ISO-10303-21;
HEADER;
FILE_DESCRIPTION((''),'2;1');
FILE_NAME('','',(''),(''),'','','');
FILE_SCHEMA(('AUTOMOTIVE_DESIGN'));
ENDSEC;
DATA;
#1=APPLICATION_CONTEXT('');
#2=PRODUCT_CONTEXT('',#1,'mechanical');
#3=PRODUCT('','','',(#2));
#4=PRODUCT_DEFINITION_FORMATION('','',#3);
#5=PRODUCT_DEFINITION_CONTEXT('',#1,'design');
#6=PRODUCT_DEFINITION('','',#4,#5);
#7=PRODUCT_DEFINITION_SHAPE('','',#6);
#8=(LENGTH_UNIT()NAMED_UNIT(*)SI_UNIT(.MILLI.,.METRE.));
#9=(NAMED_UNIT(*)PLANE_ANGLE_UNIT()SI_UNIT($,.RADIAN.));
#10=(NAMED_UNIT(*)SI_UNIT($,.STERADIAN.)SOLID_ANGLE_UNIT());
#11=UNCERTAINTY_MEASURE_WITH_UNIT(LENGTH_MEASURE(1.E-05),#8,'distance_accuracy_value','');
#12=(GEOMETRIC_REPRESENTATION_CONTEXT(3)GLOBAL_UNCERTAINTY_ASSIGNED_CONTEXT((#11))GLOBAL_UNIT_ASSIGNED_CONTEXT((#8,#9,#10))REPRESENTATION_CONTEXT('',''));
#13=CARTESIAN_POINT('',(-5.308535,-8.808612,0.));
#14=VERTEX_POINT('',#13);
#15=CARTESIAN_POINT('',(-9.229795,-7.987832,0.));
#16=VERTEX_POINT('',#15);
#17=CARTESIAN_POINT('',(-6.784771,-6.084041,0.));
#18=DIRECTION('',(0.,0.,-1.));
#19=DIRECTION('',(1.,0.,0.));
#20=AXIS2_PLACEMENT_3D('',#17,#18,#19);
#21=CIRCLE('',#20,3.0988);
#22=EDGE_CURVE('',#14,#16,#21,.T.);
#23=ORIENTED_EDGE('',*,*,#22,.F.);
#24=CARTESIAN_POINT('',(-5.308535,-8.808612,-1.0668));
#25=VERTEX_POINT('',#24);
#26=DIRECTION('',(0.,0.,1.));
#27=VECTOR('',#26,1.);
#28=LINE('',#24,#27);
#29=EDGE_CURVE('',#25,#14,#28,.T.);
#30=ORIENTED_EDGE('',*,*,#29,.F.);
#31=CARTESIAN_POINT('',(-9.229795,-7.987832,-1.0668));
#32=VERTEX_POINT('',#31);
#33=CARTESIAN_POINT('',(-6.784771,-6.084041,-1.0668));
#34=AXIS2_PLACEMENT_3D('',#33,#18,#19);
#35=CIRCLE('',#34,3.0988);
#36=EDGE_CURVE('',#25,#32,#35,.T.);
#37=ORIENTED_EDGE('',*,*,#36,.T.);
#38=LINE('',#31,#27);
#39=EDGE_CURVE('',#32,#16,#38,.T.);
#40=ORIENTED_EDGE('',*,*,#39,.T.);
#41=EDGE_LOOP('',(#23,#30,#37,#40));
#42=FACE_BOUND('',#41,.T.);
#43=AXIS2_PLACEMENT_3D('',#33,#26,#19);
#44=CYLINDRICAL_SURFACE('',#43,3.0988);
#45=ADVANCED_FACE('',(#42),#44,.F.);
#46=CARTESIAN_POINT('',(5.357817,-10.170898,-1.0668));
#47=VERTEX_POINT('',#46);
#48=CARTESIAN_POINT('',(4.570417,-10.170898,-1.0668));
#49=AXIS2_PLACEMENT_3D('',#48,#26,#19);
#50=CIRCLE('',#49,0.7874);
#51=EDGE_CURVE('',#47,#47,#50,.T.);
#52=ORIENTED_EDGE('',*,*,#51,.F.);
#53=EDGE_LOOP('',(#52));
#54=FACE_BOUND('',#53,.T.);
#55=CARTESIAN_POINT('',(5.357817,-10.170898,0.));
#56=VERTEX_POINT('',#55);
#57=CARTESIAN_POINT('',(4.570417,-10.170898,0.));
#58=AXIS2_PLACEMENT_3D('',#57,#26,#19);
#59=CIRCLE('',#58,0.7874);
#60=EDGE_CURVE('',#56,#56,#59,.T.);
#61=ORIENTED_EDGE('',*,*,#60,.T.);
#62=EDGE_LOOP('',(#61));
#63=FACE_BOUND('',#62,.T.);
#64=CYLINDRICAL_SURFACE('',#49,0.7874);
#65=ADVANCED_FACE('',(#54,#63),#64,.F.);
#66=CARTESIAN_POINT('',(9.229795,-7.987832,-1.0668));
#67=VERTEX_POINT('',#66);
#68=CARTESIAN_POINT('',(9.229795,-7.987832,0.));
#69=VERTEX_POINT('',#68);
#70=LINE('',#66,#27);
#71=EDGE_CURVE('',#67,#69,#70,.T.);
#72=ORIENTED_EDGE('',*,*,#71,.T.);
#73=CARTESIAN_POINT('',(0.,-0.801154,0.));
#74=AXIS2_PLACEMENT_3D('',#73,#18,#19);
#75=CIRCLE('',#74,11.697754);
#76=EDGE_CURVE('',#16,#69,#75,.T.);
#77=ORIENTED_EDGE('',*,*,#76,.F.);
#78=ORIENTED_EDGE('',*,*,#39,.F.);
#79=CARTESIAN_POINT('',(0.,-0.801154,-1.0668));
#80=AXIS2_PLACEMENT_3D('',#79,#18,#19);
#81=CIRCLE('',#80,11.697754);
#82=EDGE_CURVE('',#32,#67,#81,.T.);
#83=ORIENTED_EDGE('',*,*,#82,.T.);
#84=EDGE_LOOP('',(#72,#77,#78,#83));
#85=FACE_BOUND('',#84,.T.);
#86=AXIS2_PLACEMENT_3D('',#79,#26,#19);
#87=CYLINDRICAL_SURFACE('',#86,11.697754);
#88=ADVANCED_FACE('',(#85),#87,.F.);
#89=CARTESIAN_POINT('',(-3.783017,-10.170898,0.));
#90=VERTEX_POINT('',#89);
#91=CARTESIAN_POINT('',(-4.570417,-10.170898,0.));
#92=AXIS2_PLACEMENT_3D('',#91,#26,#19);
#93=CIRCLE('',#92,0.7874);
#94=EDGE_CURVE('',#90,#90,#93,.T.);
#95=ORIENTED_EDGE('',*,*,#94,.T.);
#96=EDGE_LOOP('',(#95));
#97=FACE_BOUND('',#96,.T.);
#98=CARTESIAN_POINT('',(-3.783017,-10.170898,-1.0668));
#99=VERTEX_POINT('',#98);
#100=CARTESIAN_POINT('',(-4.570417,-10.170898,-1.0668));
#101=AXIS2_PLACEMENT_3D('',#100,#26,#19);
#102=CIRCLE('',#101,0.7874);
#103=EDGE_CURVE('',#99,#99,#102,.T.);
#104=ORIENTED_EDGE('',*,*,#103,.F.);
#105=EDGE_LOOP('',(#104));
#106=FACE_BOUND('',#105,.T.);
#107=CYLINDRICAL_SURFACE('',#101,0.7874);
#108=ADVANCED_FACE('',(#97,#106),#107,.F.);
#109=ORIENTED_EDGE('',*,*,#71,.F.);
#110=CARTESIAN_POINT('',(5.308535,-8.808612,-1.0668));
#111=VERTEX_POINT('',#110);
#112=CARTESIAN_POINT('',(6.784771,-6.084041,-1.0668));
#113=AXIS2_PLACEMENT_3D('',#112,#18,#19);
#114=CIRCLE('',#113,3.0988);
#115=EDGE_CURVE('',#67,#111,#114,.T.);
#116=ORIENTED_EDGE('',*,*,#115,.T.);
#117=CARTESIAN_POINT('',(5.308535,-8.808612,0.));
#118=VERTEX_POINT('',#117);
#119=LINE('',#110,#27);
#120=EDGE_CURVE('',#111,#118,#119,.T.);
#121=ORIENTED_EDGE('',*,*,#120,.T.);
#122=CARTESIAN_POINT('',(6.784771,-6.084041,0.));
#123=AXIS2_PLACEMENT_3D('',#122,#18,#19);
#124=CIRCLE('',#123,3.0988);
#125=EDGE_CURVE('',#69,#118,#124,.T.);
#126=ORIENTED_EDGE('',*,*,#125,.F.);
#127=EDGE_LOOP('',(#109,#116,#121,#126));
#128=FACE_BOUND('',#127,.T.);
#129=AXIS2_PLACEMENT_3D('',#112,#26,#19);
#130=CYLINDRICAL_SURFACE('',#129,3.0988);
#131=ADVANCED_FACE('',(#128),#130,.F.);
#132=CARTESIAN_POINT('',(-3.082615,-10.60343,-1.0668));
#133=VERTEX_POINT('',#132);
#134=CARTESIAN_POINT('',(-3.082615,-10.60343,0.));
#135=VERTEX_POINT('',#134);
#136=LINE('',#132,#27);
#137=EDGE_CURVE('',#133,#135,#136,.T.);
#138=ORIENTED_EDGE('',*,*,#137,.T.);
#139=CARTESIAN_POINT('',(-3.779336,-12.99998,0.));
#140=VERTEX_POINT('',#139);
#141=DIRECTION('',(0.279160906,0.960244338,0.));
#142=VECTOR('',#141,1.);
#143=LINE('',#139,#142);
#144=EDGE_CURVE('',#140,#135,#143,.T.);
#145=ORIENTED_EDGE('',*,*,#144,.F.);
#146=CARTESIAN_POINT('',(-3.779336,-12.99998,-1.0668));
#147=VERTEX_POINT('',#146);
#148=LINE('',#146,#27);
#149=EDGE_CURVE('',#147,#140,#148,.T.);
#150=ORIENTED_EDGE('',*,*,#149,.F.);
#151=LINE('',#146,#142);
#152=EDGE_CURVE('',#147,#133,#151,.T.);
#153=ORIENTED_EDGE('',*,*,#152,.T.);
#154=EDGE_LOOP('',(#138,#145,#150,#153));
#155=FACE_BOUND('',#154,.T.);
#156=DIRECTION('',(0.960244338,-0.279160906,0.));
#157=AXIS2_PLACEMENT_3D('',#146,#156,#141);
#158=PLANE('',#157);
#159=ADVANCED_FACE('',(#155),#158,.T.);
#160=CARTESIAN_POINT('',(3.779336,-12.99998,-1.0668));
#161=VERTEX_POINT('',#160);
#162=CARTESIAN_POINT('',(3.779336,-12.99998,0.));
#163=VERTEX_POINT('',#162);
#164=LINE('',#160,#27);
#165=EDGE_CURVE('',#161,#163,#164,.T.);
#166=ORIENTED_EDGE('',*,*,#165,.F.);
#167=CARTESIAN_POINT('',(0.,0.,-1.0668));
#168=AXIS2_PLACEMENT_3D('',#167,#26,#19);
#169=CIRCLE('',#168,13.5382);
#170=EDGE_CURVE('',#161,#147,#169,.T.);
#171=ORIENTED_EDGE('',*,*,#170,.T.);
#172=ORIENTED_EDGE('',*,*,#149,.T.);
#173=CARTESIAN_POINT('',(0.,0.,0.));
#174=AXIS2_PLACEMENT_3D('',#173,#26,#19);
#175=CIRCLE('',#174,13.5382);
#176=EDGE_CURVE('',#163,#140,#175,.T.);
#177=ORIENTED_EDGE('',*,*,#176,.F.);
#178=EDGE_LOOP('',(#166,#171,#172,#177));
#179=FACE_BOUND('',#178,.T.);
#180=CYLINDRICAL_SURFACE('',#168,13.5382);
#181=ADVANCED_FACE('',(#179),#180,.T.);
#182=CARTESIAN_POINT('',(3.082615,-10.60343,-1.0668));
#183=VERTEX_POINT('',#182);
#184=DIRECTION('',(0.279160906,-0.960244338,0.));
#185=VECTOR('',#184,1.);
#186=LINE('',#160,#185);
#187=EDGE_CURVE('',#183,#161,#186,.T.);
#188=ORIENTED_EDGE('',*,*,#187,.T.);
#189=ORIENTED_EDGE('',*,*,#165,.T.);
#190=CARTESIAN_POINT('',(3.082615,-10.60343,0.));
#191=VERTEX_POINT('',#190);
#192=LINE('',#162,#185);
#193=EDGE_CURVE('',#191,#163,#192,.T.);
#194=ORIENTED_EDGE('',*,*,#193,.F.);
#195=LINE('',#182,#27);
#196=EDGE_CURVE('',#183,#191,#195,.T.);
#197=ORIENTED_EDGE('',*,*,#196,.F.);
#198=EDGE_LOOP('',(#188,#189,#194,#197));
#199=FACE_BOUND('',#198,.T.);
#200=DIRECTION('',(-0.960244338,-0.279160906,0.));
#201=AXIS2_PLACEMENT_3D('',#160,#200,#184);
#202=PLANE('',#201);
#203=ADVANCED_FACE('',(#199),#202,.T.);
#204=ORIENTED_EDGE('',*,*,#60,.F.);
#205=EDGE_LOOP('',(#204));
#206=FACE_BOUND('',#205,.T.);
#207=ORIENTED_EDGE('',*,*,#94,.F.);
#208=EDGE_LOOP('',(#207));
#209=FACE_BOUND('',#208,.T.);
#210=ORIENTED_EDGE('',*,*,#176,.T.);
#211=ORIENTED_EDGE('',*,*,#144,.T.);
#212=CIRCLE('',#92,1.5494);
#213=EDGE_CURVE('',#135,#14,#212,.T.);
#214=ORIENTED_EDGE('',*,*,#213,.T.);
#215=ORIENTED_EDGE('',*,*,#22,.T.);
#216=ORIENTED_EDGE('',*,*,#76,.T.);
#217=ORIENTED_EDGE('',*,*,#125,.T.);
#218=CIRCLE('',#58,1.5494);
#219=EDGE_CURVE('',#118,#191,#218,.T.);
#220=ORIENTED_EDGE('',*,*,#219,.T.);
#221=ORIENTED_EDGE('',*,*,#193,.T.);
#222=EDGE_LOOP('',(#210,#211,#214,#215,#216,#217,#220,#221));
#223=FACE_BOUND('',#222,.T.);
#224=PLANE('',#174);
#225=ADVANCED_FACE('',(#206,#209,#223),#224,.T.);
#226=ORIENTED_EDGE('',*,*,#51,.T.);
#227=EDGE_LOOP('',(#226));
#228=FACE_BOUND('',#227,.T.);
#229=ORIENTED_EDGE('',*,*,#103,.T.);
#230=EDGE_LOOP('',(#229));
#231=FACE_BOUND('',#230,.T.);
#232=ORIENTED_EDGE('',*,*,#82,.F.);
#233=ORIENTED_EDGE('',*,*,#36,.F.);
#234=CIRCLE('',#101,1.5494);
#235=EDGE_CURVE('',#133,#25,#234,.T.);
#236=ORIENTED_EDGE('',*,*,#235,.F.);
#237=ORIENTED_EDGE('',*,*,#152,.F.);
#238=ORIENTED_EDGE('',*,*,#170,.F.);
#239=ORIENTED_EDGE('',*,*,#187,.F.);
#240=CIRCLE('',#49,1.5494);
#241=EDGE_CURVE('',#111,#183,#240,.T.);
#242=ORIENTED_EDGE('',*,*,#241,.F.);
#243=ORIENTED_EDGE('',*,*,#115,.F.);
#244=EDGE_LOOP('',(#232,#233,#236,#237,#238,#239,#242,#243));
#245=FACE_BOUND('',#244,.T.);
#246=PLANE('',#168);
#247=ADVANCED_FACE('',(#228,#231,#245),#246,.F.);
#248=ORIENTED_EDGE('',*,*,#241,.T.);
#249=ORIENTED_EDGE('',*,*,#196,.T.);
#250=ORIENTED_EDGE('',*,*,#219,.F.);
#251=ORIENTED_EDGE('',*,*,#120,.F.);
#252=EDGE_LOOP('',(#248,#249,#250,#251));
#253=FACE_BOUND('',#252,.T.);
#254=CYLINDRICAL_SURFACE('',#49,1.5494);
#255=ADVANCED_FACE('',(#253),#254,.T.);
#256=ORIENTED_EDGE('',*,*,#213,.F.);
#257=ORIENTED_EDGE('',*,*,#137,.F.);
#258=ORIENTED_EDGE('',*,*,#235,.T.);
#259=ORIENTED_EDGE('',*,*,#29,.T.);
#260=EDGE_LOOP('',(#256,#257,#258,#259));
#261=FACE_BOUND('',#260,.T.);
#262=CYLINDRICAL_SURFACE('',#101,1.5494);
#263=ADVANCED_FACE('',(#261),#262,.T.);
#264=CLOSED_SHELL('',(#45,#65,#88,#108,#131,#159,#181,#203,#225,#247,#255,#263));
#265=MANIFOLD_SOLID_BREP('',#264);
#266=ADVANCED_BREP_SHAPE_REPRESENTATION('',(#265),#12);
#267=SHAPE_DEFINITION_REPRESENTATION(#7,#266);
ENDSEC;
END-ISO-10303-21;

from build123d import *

# Parameters (mm, degrees)
BODYSKE_R  = 0.7874
BODY_DEPTH = 1.0668


with BuildPart() as part:
    # BodySke → Body (new body)
    with BuildSketch(Plane.XY):
        with BuildLine():
            Line((3.779336174, -12.999979897), (3.082614503, -10.603430003))
            ThreePointArc((3.082614503, -10.603430003), (3.597869304, -8.964750848), (5.308535168, -8.808612498))
            ThreePointArc((5.308535168, -8.808612498), (7.419639491, -9.117109696), (9.229795297, -7.987832075))
            ThreePointArc((9.229795297, -7.987832075), (0, 10.8966), (-9.229795297, -7.987832075))
            ThreePointArc((-9.229795297, -7.987832075), (-7.419639491, -9.117109696), (-5.308535168, -8.808612498))
            ThreePointArc((-5.308535168, -8.808612498), (-3.597869304, -8.964750848), (-3.082614503, -10.603430003))
            Line((-3.082614503, -10.603430003), (-3.779336174, -12.999979897))
            ThreePointArc((-3.779336174, -12.999979897), (0, 13.5382), (3.779336174, -12.999979897))
        make_face()
        with Locations((4.570417081, -10.170898095)):
            Circle(BODYSKE_R, mode=Mode.SUBTRACT)
        with Locations((-4.570417081, -10.170898095)):
            Circle(BODYSKE_R, mode=Mode.SUBTRACT)
    extrude(amount=-BODY_DEPTH)


solid = part.part
